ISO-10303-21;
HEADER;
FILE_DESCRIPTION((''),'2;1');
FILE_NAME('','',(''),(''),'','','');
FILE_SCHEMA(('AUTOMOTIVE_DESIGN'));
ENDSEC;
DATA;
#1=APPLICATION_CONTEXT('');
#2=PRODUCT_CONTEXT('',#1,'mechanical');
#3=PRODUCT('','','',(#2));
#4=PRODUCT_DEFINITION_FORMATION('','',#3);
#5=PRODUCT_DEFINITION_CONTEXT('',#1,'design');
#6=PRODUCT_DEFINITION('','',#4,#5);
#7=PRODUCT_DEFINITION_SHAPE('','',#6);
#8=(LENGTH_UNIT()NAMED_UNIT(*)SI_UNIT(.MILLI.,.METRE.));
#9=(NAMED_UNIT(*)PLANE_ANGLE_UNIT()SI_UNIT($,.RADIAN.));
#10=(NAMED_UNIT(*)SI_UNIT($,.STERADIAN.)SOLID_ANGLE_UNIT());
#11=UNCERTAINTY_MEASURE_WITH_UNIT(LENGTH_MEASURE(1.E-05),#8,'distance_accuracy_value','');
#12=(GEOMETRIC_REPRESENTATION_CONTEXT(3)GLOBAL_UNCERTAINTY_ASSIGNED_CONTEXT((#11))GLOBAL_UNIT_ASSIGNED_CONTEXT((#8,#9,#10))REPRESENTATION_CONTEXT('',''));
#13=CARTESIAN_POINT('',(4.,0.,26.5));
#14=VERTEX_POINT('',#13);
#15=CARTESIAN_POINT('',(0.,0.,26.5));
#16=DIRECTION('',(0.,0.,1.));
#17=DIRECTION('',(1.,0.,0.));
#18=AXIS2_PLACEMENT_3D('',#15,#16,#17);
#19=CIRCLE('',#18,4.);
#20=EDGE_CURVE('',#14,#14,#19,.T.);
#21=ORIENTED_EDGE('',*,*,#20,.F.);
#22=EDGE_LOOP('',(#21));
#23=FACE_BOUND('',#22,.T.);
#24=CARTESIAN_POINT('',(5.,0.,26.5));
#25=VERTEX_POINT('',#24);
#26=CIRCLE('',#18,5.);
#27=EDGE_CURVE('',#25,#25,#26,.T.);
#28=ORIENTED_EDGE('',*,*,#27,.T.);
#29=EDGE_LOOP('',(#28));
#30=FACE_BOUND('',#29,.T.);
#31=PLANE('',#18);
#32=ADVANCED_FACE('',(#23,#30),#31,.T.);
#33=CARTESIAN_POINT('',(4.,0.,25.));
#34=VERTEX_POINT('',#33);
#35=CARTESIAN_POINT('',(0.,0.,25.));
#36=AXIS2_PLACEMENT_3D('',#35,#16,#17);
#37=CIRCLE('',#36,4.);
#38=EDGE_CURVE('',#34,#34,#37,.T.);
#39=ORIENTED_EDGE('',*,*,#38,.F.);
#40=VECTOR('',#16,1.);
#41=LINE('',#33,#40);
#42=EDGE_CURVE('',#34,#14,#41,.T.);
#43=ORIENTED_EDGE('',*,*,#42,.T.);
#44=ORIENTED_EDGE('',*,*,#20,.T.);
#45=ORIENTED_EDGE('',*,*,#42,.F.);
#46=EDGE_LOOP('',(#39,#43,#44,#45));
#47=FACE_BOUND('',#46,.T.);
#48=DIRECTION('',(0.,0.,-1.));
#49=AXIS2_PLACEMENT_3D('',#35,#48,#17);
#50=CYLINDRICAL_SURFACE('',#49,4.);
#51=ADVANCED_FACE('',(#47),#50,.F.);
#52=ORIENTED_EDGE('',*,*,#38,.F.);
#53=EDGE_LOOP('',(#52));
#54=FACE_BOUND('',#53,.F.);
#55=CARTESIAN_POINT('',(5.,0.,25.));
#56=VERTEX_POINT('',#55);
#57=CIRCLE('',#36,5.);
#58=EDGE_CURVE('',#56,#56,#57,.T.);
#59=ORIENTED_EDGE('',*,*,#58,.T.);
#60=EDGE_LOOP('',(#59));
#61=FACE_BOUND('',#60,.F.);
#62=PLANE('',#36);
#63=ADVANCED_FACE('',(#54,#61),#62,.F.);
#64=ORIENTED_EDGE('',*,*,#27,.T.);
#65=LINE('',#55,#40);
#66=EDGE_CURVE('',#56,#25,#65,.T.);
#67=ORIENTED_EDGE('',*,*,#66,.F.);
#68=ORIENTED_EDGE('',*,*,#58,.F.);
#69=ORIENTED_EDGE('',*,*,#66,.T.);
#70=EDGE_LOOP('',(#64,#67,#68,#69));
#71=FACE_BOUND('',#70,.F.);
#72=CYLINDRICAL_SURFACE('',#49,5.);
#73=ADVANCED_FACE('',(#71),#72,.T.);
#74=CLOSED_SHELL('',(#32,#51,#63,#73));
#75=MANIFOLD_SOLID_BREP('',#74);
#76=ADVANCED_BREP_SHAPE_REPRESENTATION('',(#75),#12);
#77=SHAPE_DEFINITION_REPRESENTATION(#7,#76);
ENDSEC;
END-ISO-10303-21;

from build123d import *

# Parameters (mm, degrees)
F1_R     = 5
F1_R_2   = 4
F2_DEPTH = 1.5


with BuildPart() as f2:
    # F1 (on offset) → F2 (new body)
    with BuildSketch(Plane.XY.offset(25)):
        Circle(F1_R)
        Circle(F1_R_2, mode=Mode.SUBTRACT)
    extrude(amount=F2_DEPTH)


solid = f2.part
